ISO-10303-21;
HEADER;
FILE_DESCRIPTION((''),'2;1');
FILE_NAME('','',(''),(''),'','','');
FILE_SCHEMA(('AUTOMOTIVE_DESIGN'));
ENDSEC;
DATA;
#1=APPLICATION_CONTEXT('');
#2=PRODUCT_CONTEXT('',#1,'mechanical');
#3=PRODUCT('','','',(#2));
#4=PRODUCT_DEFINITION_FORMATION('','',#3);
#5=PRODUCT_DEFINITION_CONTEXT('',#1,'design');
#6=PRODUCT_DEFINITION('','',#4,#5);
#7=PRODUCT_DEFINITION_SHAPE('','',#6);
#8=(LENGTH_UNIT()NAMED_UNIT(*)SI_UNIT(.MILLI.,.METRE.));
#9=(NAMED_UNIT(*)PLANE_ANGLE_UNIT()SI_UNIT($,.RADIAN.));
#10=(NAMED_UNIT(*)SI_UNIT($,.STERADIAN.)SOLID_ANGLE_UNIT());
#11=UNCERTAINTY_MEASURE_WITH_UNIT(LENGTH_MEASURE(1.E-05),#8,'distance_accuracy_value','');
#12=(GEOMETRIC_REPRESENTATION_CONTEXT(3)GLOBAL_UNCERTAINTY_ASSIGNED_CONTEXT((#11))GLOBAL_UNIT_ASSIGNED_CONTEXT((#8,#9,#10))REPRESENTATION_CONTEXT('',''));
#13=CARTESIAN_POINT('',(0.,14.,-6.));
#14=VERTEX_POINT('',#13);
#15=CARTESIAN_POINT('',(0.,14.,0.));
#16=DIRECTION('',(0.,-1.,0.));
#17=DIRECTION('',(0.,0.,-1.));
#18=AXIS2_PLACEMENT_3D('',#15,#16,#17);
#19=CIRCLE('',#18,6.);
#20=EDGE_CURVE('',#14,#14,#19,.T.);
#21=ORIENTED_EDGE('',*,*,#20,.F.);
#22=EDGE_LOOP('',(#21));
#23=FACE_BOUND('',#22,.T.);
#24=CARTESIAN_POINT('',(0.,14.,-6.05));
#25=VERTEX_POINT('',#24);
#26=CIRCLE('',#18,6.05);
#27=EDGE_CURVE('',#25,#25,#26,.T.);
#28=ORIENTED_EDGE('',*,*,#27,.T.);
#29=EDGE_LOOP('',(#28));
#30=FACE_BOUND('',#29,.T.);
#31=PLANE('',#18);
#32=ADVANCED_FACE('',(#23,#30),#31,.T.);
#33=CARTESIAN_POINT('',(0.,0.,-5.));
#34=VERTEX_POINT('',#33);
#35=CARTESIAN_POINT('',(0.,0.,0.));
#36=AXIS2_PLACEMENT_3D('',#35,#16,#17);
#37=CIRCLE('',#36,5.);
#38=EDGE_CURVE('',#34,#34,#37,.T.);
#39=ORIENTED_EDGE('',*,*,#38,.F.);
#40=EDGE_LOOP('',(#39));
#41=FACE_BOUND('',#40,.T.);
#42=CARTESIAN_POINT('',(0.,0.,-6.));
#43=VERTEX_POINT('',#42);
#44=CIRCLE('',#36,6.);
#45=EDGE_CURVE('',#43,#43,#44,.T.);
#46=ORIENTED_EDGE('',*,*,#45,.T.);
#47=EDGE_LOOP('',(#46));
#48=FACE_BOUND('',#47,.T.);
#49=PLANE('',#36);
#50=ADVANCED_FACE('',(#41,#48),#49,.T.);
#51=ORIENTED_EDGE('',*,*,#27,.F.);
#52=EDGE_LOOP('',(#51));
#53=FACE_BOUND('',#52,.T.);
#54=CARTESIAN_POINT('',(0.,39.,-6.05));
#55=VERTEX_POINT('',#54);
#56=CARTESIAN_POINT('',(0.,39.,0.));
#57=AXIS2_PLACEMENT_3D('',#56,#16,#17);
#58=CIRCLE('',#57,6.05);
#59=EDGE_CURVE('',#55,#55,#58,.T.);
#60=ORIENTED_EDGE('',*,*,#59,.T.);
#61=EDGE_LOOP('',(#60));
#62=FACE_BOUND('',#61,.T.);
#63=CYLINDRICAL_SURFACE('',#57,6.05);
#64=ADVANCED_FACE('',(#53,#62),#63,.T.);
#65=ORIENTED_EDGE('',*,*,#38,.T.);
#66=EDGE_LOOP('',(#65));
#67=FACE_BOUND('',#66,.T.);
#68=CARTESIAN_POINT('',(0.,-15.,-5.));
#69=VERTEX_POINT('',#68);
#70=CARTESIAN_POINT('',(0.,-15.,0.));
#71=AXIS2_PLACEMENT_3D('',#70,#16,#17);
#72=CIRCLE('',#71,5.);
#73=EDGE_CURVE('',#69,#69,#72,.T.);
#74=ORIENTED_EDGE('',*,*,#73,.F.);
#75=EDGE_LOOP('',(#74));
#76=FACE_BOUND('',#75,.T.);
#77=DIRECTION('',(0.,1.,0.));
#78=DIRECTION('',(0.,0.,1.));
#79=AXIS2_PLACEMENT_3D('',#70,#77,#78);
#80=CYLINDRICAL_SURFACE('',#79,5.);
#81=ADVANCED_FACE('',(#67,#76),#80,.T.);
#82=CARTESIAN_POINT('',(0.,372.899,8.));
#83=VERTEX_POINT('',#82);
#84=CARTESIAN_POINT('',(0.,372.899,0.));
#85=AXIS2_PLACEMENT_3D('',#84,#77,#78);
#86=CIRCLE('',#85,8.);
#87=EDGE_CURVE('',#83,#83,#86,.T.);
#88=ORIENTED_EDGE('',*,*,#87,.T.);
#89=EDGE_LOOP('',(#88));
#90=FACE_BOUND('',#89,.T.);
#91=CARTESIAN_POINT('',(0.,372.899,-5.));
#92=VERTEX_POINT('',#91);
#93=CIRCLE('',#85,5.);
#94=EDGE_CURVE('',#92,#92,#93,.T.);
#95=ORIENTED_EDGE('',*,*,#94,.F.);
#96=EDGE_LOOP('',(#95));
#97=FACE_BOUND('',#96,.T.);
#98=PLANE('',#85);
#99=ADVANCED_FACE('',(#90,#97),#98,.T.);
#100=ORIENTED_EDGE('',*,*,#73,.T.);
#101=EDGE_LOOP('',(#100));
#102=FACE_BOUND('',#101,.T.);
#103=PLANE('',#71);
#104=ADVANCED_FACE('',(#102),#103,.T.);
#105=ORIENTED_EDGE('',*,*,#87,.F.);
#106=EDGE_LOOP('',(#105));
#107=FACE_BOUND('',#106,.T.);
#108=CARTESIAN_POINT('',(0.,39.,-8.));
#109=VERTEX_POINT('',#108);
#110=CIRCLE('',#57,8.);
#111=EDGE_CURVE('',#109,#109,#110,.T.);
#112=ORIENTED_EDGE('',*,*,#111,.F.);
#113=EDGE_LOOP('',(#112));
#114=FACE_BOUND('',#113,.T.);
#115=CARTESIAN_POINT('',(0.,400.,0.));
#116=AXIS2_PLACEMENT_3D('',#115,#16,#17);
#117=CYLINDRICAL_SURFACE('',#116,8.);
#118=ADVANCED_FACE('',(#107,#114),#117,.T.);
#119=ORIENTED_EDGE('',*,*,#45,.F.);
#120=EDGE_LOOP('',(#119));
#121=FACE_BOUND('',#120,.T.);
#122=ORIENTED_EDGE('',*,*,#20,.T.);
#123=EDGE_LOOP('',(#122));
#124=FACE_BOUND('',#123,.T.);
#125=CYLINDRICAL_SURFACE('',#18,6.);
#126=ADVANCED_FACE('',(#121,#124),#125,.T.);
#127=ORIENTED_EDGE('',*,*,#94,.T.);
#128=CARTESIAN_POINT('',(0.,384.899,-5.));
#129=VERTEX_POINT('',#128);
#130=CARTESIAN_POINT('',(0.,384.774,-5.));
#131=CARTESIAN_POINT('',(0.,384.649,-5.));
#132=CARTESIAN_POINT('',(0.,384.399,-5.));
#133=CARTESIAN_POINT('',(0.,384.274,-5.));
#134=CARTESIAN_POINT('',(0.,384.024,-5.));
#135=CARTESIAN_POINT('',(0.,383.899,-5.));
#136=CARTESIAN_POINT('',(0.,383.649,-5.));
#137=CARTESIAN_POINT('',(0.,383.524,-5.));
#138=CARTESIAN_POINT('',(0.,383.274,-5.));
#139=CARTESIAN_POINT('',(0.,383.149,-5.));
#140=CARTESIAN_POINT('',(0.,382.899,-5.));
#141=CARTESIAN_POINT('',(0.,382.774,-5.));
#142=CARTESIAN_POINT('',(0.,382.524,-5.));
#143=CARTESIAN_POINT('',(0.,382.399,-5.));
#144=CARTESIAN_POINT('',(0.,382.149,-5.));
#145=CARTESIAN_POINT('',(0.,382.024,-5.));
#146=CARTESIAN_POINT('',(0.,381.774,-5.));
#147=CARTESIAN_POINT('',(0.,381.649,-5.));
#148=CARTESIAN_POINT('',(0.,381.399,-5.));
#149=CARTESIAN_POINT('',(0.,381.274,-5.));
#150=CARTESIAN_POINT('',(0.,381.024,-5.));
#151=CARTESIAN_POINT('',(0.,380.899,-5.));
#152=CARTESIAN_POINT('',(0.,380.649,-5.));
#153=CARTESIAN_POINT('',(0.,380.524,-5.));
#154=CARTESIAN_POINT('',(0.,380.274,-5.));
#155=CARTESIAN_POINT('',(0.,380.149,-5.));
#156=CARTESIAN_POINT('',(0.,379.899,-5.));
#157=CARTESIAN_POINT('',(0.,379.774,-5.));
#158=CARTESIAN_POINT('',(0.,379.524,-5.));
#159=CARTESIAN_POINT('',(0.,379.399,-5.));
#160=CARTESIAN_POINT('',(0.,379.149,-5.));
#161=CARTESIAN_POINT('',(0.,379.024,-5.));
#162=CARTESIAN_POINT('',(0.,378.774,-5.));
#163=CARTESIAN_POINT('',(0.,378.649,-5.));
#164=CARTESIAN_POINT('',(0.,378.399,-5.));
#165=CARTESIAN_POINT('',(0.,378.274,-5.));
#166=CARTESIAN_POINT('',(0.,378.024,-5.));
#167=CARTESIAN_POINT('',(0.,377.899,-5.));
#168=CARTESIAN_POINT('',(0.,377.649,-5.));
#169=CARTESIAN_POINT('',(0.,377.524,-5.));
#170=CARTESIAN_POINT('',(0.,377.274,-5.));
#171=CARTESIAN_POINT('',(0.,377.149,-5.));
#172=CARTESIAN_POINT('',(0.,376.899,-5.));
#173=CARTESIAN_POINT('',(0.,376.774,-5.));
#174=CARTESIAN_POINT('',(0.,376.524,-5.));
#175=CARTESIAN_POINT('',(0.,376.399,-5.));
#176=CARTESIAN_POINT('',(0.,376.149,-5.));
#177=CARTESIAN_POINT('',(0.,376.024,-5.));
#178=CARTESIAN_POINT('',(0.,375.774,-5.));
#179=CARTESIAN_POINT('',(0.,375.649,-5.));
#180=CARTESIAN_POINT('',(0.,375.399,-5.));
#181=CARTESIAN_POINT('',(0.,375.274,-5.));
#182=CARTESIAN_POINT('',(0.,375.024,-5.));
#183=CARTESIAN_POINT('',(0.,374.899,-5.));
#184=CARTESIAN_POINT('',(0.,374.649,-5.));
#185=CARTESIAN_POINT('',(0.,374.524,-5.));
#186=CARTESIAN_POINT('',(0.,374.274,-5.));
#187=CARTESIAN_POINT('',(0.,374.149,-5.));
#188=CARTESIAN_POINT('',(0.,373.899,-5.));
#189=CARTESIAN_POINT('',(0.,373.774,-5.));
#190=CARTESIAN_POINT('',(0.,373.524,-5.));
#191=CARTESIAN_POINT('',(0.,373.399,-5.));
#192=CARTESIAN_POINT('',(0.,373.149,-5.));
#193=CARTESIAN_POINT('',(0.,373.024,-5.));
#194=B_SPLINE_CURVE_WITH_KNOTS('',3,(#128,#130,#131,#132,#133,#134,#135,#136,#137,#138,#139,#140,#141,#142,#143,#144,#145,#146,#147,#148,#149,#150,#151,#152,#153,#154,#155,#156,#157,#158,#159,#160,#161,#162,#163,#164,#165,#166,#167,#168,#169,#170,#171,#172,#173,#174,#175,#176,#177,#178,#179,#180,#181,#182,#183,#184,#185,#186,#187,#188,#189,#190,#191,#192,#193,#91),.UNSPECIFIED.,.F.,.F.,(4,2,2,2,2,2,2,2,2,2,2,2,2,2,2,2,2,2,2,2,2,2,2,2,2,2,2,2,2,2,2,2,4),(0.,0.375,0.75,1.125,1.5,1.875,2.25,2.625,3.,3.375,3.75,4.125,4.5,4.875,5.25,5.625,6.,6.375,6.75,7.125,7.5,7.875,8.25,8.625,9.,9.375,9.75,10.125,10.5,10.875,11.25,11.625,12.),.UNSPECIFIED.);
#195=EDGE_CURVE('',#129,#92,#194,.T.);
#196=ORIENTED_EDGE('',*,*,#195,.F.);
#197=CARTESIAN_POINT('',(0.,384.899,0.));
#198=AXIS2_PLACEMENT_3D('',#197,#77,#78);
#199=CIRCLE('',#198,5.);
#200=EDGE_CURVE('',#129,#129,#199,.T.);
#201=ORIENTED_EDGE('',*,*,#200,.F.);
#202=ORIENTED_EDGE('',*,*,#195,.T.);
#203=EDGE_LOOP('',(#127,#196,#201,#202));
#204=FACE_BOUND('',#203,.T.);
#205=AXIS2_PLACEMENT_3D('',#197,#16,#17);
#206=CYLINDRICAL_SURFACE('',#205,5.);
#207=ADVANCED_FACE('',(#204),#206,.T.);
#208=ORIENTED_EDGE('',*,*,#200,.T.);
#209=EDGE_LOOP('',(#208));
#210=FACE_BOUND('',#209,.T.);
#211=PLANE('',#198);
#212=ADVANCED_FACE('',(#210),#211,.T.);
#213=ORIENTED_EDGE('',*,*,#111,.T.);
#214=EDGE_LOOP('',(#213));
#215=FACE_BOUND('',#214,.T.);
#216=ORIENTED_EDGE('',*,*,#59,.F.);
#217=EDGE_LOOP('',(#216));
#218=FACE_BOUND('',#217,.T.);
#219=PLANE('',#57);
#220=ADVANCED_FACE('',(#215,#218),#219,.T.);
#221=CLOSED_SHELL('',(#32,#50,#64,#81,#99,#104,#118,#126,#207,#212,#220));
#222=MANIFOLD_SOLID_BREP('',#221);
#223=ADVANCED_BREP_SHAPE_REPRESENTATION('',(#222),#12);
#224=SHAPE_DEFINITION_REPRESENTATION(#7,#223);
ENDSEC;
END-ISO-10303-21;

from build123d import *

# Parameters (mm, degrees)
SKETCH1_R        = 8
EXTRUSION1_DEPTH = 400
SKETCH2_R        = 8
EXTRUSION2_DEPTH = 50
EXTRUSION3_START = 50
SKETCH3_R        = 8
EXTRUSION3_DEPTH = 50
SKETCH4_R        = 8
SKETCH4_R_2      = 6
THREAD1_DEPTH    = 14
SKETCH5_R        = 8
SKETCH5_R_2      = 6.05
EXTRUSION5_DEPTH = 25
SKETCH6_R        = 5
EXTRUSION6_DEPTH = 15
EXTRUSION7_START = -27.101
SKETCH7_R        = 8
EXTRUSION7_DEPTH = 27.101
EXTRUSION8_START = 12
SKETCH8_R        = 5
EXTRUSION8_DEPTH = 12


with BuildPart() as part:
    # Sketch1 → Extrusion1 (new body)
    with BuildSketch(Plane(origin=(0, 0, 0), x_dir=(-1, 0, 0), z_dir=(0, 1, 0))):
        with Locations(Location((0, 0, 0), (0, 0, 90))):
            Circle(SKETCH1_R)
    extrude(amount=EXTRUSION1_DEPTH)

    # Sketch2 → Extrusion2 (cut)
    with BuildSketch(Plane.XZ):
        with Locations(Location((0, 0, 0), (0, 0, 270))):
            Circle(SKETCH2_R)
    extrude(amount=-EXTRUSION2_DEPTH, mode=Mode.SUBTRACT)

    # Sketch3 → Extrusion3 (add)
    with BuildSketch(Plane.XZ.offset(-50).offset(EXTRUSION3_START)):
        with Locations(Location((0, 0, 0), (0, 0, 270))):
            Circle(SKETCH3_R)
    extrude(amount=-EXTRUSION3_DEPTH)

    # Sketch4 → Thread1 (cut)
    with BuildSketch(Plane.XZ):
        with Locations(Location((0, 0, 0), (0, 0, 270))):
            Circle(SKETCH4_R)
        with Locations(Location((0, 0, 0), (0, 0, 270))):
            Circle(SKETCH4_R_2, mode=Mode.SUBTRACT)
    extrude(amount=-THREAD1_DEPTH, mode=Mode.SUBTRACT)

    # Sketch5 → Extrusion5 (cut)
    with BuildSketch(Plane.XZ.offset(-14)):
        with Locations(Location((0, 0, 0), (0, 0, 270))):
            Circle(SKETCH5_R)
        with Locations(Location((0, 0, 0), (0, 0, 270))):
            Circle(SKETCH5_R_2, mode=Mode.SUBTRACT)
    extrude(amount=-EXTRUSION5_DEPTH, mode=Mode.SUBTRACT)

    # Sketch6 → Extrusion6 (add)
    with BuildSketch(Plane.XZ):
        with Locations(Location((0, 0, 0), (0, 0, 270))):
            Circle(SKETCH6_R)
    extrude(amount=EXTRUSION6_DEPTH)

    # Sketch7 → Extrusion7 (cut)
    with BuildSketch(Plane(origin=(0, 400, 0), x_dir=(-1, 0, 0), z_dir=(0, 1, 0)).offset(EXTRUSION7_START)):
        with Locations(Location((0, 0, 0), (0, 0, 270))):
            Circle(SKETCH7_R)
    extrude(amount=EXTRUSION7_DEPTH, mode=Mode.SUBTRACT)

    # Sketch8 → Extrusion8 (add)
    with BuildSketch(Plane(origin=(0, 372.899, 0), x_dir=(-1, 0, 0), z_dir=(0, 1, 0)).offset(EXTRUSION8_START)):
        with Locations(Location((0, 0, 0), (0, 0, 270))):
            Circle(SKETCH8_R)
    extrude(amount=-EXTRUSION8_DEPTH)


solid = part.part
